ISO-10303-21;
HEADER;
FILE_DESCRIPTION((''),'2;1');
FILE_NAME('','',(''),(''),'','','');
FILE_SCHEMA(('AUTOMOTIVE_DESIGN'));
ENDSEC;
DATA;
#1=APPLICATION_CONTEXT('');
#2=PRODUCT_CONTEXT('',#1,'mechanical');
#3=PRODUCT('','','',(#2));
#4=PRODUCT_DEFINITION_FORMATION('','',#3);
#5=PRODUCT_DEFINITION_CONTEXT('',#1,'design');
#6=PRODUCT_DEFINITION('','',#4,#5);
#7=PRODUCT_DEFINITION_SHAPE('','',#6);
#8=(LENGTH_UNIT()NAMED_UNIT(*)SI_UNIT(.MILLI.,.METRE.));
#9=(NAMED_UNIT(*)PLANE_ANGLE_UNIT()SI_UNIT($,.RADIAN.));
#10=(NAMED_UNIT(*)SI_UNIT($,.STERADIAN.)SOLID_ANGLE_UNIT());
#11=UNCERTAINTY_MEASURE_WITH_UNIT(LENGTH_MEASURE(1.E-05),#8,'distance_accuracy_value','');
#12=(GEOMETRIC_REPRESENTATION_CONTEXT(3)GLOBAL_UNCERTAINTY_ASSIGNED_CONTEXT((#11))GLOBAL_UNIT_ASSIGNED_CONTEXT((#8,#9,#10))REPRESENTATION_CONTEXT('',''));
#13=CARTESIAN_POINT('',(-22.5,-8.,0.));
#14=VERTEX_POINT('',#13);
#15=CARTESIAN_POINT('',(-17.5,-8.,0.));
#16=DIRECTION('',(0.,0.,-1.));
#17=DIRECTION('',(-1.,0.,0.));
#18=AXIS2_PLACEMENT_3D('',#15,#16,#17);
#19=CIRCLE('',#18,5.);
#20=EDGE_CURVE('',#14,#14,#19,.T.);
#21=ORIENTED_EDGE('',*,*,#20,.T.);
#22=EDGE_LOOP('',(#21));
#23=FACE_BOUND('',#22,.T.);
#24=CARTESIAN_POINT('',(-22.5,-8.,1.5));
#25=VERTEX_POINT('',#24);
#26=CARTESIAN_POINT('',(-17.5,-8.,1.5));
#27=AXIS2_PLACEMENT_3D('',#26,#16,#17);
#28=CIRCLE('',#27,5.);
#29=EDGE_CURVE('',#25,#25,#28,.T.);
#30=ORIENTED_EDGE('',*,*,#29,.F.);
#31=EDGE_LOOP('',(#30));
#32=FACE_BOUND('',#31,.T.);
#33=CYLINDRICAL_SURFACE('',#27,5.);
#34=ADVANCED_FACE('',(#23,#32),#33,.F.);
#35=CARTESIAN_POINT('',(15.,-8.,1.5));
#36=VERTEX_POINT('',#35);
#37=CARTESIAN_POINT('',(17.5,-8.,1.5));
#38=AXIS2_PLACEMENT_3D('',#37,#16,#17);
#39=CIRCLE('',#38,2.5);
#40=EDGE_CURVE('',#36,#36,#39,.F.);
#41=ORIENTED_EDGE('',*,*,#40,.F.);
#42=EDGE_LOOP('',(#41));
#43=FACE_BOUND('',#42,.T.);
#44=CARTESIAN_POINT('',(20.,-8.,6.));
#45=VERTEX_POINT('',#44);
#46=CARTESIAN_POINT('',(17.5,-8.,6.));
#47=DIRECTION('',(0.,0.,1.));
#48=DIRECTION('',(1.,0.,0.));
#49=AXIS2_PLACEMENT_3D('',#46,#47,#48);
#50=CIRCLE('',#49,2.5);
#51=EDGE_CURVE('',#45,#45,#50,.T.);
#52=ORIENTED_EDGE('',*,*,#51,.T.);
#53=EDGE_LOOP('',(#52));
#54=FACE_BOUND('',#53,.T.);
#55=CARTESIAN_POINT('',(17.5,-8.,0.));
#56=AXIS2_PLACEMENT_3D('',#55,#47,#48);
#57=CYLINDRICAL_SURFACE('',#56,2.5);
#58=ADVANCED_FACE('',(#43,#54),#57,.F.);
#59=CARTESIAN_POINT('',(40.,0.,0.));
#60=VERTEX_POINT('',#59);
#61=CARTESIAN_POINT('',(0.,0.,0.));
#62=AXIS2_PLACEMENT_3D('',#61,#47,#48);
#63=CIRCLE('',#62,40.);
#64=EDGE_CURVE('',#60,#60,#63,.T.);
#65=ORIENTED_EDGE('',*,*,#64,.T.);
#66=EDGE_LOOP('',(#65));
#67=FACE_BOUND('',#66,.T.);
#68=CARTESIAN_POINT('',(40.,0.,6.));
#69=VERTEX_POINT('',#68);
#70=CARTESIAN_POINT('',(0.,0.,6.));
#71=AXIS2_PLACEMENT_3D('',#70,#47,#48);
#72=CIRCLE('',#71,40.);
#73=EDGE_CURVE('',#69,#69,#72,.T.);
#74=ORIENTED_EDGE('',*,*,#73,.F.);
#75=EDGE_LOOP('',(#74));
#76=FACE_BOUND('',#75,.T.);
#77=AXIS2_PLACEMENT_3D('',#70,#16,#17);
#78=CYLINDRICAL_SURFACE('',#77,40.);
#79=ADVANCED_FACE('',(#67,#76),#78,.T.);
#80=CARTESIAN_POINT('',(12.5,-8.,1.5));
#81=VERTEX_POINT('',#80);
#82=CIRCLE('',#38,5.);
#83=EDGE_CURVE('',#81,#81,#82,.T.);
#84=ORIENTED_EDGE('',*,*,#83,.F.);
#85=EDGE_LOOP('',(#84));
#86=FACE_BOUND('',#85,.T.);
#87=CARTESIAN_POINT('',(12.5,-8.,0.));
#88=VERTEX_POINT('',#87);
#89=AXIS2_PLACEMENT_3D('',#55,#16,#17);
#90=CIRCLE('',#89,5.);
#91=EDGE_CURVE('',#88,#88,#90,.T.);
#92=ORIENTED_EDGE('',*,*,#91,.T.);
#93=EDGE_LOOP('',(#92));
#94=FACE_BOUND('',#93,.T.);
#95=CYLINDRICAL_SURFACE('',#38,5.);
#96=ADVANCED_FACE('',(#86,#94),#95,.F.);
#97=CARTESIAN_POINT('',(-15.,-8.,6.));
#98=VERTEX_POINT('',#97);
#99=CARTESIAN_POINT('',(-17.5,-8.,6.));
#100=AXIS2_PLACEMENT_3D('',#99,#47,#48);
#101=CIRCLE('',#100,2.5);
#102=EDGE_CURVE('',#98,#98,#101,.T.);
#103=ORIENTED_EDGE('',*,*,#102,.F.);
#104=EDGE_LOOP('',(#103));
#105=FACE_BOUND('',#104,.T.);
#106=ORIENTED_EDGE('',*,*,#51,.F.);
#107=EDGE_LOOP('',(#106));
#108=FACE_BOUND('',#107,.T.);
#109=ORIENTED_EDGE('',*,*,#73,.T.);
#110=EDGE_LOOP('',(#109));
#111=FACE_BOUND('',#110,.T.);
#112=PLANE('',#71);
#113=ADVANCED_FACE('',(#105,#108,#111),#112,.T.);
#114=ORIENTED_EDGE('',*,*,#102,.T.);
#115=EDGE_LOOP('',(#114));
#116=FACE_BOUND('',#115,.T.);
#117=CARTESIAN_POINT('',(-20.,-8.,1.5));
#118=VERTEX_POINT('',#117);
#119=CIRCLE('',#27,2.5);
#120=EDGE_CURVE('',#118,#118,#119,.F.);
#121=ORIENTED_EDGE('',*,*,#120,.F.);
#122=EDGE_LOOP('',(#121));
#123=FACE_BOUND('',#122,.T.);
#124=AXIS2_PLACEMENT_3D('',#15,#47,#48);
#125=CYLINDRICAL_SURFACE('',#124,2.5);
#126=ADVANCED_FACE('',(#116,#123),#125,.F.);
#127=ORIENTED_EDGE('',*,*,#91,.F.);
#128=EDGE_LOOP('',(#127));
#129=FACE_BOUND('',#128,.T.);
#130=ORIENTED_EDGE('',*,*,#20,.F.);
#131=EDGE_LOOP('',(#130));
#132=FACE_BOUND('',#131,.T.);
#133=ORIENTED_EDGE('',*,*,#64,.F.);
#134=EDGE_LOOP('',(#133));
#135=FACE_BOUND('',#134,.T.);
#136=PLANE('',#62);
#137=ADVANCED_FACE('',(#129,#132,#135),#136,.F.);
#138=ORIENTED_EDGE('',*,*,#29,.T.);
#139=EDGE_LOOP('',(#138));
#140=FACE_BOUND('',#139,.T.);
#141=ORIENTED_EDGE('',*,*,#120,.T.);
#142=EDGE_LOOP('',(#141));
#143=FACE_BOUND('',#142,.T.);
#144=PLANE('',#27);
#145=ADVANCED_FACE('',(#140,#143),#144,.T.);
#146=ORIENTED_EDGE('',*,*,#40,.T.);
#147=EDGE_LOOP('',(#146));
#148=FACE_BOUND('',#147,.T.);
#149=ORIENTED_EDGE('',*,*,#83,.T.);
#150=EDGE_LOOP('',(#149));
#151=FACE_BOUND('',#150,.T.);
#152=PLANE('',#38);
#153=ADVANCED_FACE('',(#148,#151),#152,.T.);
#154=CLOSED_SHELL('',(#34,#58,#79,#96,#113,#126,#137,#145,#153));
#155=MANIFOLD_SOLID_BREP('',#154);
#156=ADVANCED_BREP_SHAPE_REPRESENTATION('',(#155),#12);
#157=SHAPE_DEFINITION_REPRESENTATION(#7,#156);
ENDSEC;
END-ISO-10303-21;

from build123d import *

# Parameters (mm, degrees)
SKETCH3_R           = 40
BOSS_EXTRUDE1_DEPTH = 6
SKETCH4_R           = 2.1
CUT_EXTRUDE1_DEPTH  = 57.885850613
SKETCH5_R           = 5
CUT_EXTRUDE2_DEPTH  = 1.5
MOVE_FACE1_BY       = 0.4
MOVE_FACE1_2_BY     = 0.4


with BuildPart() as part:
    # Sketch3 → Boss-Extrude1 (new body)
    with BuildSketch(Plane.XY):
        Circle(SKETCH3_R)
    extrude(amount=BOSS_EXTRUDE1_DEPTH)

    # Sketch4 → Cut-Extrude1 (cut, through all)
    with BuildSketch(Plane.XY.offset(6)):
        with Locations((-17.5, -8)):
            Circle(SKETCH4_R)
        with Locations((17.5, -8)):
            Circle(SKETCH4_R)
    extrude(amount=-CUT_EXTRUDE1_DEPTH, mode=Mode.SUBTRACT)

    # Sketch5 → Cut-Extrude2 (cut)
    with BuildSketch(Plane(origin=(0, 0, 0), x_dir=(-1, 0, 0), z_dir=(0, 0, -1))):
        with Locations((-17.5, -8)):
            Circle(SKETCH5_R)
        with Locations((17.5, -8)):
            Circle(SKETCH5_R)
    extrude(amount=-CUT_EXTRUDE2_DEPTH, mode=Mode.SUBTRACT)

    # Move Face1: a curved face moved inward by 0.4
    add(Solid.thicken(part.faces().sort_by_distance((-19.6, -8, 3.75))[0], -MOVE_FACE1_BY), mode=Mode.SUBTRACT)

    # Move Face1 2: a curved face moved inward by 0.4
    add(Solid.thicken(part.faces().sort_by_distance((15.4, -8, 3.75))[0], -MOVE_FACE1_2_BY), mode=Mode.SUBTRACT)


solid = part.part
